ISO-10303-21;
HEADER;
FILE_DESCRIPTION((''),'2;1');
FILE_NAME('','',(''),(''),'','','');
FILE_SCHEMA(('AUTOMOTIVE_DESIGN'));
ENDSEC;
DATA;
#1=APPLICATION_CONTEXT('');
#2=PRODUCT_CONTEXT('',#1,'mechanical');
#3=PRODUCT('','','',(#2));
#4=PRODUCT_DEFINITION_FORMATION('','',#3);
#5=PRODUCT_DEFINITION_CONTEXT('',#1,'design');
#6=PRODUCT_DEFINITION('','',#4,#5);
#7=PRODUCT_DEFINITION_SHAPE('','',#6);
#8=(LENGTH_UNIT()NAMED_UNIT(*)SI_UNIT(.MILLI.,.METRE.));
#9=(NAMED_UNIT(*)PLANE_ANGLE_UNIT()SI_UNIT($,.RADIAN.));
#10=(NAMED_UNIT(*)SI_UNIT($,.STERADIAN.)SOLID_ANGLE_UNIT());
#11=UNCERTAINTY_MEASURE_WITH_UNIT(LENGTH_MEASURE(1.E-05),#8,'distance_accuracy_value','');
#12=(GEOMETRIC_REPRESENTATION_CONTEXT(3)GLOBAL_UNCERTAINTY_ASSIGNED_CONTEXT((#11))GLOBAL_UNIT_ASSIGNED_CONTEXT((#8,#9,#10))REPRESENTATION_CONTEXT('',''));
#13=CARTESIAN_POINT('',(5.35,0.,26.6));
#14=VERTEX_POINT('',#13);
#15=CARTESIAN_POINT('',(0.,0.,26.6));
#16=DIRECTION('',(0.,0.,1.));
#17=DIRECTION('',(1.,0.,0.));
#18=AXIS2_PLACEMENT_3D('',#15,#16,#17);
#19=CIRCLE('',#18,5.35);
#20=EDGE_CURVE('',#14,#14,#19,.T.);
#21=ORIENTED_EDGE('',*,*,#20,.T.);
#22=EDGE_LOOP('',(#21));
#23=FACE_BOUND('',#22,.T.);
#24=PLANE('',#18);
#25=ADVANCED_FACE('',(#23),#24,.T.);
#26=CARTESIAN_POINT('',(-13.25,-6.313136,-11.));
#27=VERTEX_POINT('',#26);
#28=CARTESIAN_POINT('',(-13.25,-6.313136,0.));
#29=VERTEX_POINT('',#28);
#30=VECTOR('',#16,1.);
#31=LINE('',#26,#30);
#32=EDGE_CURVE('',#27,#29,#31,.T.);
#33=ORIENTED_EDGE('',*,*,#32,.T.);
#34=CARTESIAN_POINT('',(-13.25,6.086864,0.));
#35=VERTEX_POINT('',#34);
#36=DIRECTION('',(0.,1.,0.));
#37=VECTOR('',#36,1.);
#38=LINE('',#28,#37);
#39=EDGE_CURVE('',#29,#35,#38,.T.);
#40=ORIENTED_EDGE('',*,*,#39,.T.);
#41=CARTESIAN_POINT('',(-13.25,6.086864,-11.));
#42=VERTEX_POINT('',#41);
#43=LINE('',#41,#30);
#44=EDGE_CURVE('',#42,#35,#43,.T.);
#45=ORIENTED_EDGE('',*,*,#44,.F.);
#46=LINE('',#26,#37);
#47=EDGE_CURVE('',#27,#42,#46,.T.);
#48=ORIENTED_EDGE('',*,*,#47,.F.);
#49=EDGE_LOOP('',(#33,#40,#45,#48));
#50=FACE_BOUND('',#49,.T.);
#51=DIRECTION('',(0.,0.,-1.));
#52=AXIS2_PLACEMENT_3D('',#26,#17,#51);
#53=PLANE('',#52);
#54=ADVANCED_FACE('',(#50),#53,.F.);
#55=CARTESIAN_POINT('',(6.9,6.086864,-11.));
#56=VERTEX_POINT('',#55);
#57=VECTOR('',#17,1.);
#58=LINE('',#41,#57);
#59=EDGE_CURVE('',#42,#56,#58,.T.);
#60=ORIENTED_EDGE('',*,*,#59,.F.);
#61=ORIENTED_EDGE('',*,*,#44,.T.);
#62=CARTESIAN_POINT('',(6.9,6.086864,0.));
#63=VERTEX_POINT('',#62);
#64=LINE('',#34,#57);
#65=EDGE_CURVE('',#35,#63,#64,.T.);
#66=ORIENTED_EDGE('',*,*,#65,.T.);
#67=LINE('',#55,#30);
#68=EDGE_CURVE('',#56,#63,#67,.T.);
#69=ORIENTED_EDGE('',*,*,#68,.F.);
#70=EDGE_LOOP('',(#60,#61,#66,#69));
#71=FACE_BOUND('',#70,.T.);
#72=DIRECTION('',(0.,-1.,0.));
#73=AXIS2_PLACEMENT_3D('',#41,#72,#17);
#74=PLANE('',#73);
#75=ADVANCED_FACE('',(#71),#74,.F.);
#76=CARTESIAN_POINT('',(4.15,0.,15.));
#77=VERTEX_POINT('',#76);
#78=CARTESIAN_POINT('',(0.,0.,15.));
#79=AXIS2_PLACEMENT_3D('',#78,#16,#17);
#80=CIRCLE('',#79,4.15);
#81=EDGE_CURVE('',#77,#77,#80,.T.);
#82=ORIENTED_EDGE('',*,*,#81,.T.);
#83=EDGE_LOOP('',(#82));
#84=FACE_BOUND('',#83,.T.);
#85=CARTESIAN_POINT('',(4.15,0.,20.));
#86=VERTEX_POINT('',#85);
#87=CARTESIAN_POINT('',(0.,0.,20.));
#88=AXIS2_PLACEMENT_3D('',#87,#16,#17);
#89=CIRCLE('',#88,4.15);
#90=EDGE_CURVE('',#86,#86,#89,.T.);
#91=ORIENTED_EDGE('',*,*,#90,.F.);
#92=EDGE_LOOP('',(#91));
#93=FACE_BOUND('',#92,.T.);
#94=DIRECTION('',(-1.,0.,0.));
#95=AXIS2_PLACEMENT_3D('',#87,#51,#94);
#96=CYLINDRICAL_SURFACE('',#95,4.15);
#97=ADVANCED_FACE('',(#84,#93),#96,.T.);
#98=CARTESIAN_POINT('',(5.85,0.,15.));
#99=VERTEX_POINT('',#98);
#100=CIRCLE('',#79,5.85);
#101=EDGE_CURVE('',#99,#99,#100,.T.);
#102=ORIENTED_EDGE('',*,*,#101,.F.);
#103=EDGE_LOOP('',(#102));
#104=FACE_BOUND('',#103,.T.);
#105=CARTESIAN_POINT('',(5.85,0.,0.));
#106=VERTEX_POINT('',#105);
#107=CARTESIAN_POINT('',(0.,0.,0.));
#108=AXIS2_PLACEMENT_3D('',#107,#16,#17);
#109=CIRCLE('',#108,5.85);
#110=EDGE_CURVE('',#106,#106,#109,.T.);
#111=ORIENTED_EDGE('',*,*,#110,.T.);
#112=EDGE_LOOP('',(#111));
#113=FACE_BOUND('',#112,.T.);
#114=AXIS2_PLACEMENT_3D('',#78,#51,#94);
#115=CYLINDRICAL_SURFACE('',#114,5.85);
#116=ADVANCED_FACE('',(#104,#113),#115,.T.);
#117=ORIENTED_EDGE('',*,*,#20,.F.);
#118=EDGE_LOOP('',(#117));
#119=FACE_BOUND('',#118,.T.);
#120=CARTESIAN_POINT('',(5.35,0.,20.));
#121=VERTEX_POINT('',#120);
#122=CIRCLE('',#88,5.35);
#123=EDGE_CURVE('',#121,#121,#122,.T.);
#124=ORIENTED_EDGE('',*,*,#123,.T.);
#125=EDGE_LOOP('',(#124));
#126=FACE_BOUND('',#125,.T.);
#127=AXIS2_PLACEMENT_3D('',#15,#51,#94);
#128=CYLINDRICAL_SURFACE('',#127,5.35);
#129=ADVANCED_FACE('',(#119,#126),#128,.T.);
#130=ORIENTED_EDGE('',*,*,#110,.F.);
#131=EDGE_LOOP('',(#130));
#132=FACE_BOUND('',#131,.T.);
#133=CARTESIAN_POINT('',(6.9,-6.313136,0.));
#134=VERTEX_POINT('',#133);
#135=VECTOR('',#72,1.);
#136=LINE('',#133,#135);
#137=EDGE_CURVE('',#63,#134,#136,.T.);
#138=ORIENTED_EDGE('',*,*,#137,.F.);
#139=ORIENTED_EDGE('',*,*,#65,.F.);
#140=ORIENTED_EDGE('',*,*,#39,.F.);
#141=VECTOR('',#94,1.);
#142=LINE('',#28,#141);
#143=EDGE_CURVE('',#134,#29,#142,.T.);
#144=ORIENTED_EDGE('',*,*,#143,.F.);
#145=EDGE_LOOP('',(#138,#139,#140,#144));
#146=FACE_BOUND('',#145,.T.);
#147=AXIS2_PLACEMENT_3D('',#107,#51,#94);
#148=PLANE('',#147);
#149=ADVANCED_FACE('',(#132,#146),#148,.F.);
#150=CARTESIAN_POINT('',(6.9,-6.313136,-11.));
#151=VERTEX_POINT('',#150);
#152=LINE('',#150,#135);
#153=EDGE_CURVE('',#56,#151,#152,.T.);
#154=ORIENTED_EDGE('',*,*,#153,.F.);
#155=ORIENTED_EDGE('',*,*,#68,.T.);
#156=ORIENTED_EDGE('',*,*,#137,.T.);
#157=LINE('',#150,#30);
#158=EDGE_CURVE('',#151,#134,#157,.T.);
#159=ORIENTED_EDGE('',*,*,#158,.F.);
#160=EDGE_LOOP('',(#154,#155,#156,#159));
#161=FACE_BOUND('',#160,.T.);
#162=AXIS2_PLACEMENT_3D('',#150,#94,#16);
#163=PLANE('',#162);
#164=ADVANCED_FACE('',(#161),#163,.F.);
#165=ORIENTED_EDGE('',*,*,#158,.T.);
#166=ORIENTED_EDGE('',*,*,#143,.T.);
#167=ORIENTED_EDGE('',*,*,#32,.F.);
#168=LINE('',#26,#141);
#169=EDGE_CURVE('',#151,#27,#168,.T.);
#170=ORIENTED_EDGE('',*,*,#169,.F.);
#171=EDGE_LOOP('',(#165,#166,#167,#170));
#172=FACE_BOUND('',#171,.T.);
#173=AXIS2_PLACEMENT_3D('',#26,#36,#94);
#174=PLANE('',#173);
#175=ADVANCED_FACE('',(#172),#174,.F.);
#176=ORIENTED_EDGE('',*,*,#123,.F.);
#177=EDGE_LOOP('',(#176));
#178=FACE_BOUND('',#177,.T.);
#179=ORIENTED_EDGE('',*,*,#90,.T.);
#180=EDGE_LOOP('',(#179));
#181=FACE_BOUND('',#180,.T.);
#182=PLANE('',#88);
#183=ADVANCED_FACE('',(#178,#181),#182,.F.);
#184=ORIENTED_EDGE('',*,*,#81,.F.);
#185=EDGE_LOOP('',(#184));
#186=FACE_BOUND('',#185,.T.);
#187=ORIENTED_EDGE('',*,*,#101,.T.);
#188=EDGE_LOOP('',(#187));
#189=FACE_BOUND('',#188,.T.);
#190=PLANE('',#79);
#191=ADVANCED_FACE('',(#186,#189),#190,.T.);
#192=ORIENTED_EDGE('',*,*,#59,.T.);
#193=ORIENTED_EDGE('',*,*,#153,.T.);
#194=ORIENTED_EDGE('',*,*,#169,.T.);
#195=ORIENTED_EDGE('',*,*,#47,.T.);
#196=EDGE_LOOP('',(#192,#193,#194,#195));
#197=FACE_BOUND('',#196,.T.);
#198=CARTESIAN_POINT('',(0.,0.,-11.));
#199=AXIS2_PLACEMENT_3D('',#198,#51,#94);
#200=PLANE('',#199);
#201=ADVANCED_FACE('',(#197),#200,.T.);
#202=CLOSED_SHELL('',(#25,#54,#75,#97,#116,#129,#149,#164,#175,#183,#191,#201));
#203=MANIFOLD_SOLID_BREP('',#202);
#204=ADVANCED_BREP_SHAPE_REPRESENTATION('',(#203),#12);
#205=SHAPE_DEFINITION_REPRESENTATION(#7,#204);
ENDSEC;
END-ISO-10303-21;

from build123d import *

# Parameters (mm, degrees)
CROQUIS1_R              = 5.85
SALIENTE_EXTRUIR1_DEPTH = 15
CROQUIS2_R              = 4.15
SALIENTE_EXTRUIR2_DEPTH = 5
CROQUIS3_R              = 5.35
SALIENTE_EXTRUIR3_DEPTH = 6.6
CROQUIS4_W              = 20.15
CROQUIS4_H              = 12.4
SALIENTE_EXTRUIR4_DEPTH = 11


with BuildPart() as part:
    # Croquis1 → Saliente-Extruir1 (new body)
    with BuildSketch(Plane.XY):
        Circle(CROQUIS1_R)
    extrude(amount=SALIENTE_EXTRUIR1_DEPTH)

    # Croquis2 → Saliente-Extruir2 (add)
    with BuildSketch(Plane.XY.offset(15)):
        Circle(CROQUIS2_R)
    extrude(amount=SALIENTE_EXTRUIR2_DEPTH)

    # Croquis3 → Saliente-Extruir3 (add)
    with BuildSketch(Plane.XY.offset(20)):
        Circle(CROQUIS3_R)
    extrude(amount=SALIENTE_EXTRUIR3_DEPTH)

    # Croquis4 → Saliente-Extruir4 (add)
    with BuildSketch(Plane(origin=(0, 0, 0), x_dir=(-1, 0, 0), z_dir=(0, 0, -1))):
        with Locations((3.175, -0.113136053)):
            Rectangle(CROQUIS4_W, CROQUIS4_H)
    extrude(amount=SALIENTE_EXTRUIR4_DEPTH)


solid = part.part
